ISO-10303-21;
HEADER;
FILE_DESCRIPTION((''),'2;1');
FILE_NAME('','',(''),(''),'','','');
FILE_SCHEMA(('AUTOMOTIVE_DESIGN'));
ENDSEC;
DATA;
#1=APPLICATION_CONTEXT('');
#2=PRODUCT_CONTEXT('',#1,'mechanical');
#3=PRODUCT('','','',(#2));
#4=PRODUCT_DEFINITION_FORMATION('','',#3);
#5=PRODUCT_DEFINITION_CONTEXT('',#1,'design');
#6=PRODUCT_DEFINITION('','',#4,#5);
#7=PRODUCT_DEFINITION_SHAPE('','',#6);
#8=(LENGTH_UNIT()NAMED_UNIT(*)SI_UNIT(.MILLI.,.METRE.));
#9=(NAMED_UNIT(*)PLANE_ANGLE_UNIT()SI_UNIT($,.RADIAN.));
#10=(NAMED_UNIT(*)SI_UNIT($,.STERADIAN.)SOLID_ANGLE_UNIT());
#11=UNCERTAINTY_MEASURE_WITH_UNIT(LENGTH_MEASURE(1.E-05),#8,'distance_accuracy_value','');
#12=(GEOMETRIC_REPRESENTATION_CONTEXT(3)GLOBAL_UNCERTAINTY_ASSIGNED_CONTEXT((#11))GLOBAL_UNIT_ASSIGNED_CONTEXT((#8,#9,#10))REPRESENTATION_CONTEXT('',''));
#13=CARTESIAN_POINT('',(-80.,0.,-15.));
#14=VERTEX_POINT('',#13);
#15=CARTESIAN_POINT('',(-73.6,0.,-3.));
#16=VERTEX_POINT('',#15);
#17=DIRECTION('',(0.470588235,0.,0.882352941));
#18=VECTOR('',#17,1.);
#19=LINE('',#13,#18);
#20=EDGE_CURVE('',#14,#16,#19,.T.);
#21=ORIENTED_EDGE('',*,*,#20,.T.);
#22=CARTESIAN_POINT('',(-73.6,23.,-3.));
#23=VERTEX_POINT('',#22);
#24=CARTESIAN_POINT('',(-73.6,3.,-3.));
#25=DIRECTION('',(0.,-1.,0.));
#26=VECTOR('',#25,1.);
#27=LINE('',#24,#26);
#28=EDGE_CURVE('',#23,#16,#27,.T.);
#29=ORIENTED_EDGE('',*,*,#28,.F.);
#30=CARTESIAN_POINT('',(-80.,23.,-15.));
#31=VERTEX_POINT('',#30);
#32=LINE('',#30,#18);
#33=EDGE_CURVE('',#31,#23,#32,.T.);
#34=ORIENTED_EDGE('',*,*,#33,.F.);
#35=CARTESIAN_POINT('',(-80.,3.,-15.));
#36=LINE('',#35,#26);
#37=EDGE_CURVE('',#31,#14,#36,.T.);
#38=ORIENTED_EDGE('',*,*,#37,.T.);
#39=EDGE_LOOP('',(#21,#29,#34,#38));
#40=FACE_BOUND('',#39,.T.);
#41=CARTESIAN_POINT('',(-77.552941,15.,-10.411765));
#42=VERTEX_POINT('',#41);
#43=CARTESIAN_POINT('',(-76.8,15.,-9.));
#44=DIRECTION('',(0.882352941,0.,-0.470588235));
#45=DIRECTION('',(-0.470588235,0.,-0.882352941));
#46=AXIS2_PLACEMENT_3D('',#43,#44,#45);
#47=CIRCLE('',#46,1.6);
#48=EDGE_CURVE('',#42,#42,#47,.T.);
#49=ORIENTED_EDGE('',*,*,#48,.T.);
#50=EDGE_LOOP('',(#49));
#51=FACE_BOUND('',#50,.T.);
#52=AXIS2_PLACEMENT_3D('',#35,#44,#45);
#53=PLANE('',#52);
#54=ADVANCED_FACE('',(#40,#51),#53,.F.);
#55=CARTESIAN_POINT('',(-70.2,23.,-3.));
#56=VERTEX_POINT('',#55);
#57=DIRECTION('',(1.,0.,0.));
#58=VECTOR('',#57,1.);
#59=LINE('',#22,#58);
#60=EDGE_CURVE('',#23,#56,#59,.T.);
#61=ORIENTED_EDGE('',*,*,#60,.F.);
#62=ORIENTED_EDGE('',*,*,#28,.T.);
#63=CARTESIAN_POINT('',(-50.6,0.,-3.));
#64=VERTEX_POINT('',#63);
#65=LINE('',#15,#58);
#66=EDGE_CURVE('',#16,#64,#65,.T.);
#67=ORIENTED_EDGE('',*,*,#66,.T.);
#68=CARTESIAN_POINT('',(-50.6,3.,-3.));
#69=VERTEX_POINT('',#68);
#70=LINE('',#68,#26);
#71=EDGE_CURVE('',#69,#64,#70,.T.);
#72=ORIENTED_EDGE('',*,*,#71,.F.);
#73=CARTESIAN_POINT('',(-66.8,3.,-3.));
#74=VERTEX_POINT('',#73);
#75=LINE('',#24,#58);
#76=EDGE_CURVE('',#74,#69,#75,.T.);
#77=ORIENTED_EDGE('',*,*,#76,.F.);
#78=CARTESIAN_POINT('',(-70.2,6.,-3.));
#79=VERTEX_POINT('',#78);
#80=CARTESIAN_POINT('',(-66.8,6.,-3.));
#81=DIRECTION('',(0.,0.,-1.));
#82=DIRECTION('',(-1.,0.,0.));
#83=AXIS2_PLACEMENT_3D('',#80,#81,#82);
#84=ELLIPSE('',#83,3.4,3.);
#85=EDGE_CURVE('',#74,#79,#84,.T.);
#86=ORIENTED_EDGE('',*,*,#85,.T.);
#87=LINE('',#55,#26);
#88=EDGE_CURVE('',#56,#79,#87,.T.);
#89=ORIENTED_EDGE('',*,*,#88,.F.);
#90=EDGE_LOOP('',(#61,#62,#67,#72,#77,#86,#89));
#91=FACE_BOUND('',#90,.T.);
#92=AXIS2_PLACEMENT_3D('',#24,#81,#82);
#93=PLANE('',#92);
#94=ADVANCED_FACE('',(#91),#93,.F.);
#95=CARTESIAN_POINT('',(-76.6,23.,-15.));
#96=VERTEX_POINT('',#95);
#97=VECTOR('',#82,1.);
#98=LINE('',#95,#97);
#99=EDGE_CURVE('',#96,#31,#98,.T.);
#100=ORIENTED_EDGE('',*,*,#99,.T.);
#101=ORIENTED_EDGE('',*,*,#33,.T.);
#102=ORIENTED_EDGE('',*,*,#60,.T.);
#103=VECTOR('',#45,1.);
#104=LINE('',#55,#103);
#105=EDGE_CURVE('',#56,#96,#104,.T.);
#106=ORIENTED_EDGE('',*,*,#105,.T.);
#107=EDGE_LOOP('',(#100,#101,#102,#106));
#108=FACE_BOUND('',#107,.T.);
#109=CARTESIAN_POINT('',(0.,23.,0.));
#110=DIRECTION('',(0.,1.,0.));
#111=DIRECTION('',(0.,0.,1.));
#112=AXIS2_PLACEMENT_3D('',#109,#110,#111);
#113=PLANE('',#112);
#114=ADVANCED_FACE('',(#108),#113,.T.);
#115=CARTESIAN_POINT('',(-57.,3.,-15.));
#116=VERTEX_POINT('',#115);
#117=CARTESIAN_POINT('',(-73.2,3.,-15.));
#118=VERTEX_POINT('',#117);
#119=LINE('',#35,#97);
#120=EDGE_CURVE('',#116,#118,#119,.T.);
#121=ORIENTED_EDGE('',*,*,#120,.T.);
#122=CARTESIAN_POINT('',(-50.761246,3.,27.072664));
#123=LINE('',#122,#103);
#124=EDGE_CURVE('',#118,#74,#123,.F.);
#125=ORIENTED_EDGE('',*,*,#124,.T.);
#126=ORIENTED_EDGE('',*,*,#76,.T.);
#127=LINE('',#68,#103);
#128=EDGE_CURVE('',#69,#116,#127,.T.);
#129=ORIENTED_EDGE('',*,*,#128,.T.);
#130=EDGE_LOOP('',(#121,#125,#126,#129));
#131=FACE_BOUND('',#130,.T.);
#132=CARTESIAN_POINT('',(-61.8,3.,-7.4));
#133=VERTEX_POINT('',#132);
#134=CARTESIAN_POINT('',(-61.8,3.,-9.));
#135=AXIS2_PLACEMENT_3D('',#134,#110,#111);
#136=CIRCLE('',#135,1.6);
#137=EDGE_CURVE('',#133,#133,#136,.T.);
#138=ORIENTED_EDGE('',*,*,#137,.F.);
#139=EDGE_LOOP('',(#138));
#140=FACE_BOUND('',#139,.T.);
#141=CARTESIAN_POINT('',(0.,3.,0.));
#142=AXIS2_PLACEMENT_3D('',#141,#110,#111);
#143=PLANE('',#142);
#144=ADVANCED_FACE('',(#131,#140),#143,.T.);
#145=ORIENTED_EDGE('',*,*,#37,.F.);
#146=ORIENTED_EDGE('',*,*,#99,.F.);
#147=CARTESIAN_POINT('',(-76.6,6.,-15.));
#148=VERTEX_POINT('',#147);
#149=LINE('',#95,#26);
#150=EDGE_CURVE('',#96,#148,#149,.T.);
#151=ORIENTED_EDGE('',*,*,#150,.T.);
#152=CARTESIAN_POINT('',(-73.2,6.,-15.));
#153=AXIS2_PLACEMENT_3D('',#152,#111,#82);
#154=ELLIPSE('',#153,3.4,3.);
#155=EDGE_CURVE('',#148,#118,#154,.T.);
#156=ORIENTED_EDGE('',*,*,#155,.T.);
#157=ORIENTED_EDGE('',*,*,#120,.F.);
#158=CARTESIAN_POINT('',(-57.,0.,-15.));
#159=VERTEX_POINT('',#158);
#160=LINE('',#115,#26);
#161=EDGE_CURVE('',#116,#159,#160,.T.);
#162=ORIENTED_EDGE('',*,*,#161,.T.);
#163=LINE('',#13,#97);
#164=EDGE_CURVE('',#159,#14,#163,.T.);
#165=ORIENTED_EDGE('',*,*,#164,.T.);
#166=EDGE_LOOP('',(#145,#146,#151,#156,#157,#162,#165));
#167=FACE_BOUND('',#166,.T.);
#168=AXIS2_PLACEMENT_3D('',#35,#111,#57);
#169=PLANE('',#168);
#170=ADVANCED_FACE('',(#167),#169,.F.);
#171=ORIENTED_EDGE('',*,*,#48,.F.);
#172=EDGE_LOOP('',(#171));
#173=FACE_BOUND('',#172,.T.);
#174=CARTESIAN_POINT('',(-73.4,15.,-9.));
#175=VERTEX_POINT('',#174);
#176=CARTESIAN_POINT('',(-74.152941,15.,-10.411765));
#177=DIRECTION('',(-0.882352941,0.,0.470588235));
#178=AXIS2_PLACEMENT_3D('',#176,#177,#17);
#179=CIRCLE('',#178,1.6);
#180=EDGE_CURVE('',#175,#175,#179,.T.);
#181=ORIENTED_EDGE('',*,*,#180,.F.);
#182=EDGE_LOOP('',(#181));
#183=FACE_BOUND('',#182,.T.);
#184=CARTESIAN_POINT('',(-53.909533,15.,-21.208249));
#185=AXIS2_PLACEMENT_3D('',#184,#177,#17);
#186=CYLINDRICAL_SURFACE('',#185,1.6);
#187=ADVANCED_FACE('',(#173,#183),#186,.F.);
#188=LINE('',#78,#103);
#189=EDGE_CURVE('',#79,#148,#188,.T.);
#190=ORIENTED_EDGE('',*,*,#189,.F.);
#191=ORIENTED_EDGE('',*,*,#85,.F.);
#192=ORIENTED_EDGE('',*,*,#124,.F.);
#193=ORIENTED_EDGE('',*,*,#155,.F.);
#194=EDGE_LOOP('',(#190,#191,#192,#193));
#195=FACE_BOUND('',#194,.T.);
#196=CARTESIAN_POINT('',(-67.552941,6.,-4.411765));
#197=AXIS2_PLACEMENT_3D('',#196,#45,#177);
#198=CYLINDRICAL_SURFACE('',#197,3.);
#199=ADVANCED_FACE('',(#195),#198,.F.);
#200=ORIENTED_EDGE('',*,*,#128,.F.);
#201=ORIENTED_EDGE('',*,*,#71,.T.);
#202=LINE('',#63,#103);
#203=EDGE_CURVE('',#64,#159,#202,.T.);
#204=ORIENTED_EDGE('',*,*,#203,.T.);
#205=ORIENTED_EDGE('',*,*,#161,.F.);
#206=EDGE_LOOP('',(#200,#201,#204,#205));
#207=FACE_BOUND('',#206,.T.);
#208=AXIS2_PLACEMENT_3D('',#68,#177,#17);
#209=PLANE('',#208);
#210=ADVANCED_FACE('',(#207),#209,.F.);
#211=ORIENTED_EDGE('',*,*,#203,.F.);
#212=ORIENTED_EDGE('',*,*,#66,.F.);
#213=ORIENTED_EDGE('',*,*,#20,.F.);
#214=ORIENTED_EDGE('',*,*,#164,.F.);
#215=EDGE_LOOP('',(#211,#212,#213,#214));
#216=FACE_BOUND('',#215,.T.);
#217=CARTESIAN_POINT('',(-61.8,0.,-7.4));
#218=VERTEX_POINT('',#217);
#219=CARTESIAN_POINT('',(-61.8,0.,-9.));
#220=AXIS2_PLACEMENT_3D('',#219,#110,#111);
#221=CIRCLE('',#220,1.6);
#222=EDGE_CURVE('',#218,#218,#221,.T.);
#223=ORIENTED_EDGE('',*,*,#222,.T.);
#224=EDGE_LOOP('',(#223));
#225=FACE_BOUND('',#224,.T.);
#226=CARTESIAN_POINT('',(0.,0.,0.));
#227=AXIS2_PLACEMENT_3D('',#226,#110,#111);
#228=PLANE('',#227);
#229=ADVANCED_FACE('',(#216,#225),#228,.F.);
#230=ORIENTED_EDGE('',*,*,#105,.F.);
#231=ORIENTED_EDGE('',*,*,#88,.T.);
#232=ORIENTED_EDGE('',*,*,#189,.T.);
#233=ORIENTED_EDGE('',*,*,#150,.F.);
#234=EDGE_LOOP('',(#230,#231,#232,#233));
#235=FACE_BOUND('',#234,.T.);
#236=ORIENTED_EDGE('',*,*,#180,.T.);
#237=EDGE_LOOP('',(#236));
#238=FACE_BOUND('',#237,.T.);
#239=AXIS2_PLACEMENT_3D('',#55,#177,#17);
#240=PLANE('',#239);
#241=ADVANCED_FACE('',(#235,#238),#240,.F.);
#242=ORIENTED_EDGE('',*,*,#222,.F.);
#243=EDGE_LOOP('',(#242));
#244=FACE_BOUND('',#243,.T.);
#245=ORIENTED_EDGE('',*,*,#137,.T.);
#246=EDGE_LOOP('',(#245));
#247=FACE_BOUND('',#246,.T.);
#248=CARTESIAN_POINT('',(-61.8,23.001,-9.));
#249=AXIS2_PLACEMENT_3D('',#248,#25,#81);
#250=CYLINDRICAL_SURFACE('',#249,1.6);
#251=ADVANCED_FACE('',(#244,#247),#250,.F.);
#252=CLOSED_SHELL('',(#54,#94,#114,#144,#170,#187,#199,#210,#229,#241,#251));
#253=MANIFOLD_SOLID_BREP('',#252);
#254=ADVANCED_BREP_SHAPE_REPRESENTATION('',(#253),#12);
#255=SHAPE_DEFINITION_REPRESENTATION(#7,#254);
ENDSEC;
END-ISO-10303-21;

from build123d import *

# Parameters (mm, degrees)
EXTRUDE_1_DEPTH     = 3
EXTRUDE_2_DEPTH     = 20
CUT_EXTRUDE_1_REACH = 86.581
SKETCH_3_R          = 1.6
CUT_EXTRUDE_2_REACH = 57.839
SKETCH_4_R          = 1.6
FILLET_1_R          = 3


with BuildPart() as part:
    # 草图1 → 凸台-拉伸1 (new body)
    with BuildSketch(Plane(origin=(0, 0, 0), x_dir=(1, 0, 0), z_dir=(0, 1, 0))):
        Polygon((-80, 15), (-57, 15), (-50.6, 3), (-73.6, 3), align=None)
    extrude(amount=EXTRUDE_1_DEPTH)

    # 草图2 → 凸台-拉伸2 (add)
    with BuildSketch(Plane(origin=(0, 3, 0), x_dir=(1, 0, 0), z_dir=(0, 1, 0))):
        Polygon((-80, 15), (-73.6, 3), (-70.2, 3), (-76.6, 15), align=None)
    extrude(amount=EXTRUDE_2_DEPTH)

    # 草图3 → 切除-拉伸1 (cut, up to next)
    with BuildSketch(Plane(origin=(0, 0, 0), x_dir=(1, 0, 0), z_dir=(0, 1, 0)), mode=Mode.PRIVATE) as cut_extrude_1_sk1:
        with Locations(Location((-61.8, 9, 0), (0, 0, 270))):
            Circle(SKETCH_3_R)
    cut_extrude_1_tool1 = extrude(cut_extrude_1_sk1.sketch, amount=CUT_EXTRUDE_1_REACH, mode=Mode.PRIVATE) & part.part
    add(cut_extrude_1_tool1.solids().sort_by_distance((-61.8, 0, -9))[0], mode=Mode.SUBTRACT)

    # 草图4 → 切除-拉伸2 (cut, up to next)
    with BuildSketch(Plane(origin=(-56.055363322, 0, 29.896193772), x_dir=(-0.4705882352941182, 0, -0.8823529411764703), z_dir=(0.8823529411764703, 0, -0.4705882352941182)), mode=Mode.PRIVATE) as cut_extrude_2_sk1:
        with Locations(Location((44.082352941, 15, 0), (0, 0, 180))):
            Circle(SKETCH_4_R)
    cut_extrude_2_tool1 = extrude(cut_extrude_2_sk1.sketch, amount=CUT_EXTRUDE_2_REACH, mode=Mode.PRIVATE) & part.part
    add(cut_extrude_2_tool1.solids().sort_by_distance((-76.8, 15, -9))[0], mode=Mode.SUBTRACT)

    # 圆角1
    fillet_1_edges = [part.edges().sort_by_distance(p)[0] for p in [
        (-73.4, 3, -9),
    ]]
    fillet(fillet_1_edges, radius=FILLET_1_R)


solid = part.part
